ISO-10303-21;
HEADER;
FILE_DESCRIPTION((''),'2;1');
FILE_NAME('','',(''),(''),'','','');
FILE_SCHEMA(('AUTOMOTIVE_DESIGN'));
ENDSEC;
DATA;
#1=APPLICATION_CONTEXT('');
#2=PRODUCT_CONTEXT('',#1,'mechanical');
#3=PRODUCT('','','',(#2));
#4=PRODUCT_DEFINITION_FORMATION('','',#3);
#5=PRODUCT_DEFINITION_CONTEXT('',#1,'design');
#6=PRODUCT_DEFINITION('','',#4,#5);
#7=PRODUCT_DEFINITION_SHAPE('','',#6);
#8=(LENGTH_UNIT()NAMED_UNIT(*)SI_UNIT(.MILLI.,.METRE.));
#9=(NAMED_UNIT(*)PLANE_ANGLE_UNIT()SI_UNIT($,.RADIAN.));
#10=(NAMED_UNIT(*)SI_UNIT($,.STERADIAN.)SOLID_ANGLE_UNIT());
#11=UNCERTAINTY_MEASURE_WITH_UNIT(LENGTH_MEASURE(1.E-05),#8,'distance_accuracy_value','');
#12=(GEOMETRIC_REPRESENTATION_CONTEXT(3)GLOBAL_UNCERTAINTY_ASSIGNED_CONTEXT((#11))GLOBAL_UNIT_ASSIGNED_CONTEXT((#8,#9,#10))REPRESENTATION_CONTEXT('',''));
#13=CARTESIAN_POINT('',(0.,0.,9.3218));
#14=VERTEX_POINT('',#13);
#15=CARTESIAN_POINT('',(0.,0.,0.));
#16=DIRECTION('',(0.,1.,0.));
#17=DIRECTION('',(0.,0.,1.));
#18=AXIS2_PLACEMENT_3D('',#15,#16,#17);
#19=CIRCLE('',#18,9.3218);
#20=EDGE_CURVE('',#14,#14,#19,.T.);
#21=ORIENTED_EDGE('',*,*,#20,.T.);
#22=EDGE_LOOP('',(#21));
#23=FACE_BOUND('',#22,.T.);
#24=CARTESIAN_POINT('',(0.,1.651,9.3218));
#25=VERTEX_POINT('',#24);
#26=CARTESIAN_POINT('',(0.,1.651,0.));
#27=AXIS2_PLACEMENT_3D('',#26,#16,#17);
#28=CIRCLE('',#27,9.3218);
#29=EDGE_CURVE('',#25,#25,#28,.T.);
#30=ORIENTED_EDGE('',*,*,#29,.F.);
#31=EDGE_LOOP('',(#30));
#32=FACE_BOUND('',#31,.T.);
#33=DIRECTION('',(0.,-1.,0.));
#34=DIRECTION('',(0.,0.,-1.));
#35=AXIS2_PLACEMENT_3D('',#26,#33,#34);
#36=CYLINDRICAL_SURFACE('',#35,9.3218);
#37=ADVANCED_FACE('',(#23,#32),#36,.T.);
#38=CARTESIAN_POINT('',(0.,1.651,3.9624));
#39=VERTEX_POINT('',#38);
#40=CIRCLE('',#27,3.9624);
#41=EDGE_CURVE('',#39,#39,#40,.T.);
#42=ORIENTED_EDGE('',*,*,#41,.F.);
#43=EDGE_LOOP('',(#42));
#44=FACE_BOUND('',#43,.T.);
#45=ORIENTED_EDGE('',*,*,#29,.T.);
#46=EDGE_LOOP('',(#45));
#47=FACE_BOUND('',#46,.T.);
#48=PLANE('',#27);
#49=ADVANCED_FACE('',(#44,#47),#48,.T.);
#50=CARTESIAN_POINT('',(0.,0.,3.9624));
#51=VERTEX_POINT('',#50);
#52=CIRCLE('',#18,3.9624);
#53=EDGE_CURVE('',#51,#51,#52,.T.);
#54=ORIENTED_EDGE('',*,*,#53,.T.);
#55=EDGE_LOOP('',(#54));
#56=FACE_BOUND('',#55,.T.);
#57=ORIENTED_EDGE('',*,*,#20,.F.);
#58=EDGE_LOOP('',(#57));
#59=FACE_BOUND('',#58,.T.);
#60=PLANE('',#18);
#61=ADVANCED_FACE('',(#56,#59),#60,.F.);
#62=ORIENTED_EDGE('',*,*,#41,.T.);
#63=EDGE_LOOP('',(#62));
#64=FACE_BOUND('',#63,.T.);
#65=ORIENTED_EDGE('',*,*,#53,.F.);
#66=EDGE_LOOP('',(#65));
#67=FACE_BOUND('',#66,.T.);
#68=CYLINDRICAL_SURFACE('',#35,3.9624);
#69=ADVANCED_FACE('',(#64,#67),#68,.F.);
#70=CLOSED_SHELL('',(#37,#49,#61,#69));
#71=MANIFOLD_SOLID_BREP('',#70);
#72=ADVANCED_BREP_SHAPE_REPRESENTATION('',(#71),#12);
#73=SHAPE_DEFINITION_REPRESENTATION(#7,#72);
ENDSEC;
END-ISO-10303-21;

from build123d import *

# Parameters (mm, degrees)
SKETCH1_R           = 9.3218
SKETCH1_R_2         = 3.9624
BOSS_EXTRUDE1_DEPTH = 1.651


with BuildPart() as part:
    # Sketch1 → Boss-Extrude1 (new body)
    with BuildSketch(Plane(origin=(0, 0, 0), x_dir=(1, 0, 0), z_dir=(0, 1, 0))):
        Circle(SKETCH1_R)
        Circle(SKETCH1_R_2, mode=Mode.SUBTRACT)
    extrude(amount=BOSS_EXTRUDE1_DEPTH)


solid = part.part
